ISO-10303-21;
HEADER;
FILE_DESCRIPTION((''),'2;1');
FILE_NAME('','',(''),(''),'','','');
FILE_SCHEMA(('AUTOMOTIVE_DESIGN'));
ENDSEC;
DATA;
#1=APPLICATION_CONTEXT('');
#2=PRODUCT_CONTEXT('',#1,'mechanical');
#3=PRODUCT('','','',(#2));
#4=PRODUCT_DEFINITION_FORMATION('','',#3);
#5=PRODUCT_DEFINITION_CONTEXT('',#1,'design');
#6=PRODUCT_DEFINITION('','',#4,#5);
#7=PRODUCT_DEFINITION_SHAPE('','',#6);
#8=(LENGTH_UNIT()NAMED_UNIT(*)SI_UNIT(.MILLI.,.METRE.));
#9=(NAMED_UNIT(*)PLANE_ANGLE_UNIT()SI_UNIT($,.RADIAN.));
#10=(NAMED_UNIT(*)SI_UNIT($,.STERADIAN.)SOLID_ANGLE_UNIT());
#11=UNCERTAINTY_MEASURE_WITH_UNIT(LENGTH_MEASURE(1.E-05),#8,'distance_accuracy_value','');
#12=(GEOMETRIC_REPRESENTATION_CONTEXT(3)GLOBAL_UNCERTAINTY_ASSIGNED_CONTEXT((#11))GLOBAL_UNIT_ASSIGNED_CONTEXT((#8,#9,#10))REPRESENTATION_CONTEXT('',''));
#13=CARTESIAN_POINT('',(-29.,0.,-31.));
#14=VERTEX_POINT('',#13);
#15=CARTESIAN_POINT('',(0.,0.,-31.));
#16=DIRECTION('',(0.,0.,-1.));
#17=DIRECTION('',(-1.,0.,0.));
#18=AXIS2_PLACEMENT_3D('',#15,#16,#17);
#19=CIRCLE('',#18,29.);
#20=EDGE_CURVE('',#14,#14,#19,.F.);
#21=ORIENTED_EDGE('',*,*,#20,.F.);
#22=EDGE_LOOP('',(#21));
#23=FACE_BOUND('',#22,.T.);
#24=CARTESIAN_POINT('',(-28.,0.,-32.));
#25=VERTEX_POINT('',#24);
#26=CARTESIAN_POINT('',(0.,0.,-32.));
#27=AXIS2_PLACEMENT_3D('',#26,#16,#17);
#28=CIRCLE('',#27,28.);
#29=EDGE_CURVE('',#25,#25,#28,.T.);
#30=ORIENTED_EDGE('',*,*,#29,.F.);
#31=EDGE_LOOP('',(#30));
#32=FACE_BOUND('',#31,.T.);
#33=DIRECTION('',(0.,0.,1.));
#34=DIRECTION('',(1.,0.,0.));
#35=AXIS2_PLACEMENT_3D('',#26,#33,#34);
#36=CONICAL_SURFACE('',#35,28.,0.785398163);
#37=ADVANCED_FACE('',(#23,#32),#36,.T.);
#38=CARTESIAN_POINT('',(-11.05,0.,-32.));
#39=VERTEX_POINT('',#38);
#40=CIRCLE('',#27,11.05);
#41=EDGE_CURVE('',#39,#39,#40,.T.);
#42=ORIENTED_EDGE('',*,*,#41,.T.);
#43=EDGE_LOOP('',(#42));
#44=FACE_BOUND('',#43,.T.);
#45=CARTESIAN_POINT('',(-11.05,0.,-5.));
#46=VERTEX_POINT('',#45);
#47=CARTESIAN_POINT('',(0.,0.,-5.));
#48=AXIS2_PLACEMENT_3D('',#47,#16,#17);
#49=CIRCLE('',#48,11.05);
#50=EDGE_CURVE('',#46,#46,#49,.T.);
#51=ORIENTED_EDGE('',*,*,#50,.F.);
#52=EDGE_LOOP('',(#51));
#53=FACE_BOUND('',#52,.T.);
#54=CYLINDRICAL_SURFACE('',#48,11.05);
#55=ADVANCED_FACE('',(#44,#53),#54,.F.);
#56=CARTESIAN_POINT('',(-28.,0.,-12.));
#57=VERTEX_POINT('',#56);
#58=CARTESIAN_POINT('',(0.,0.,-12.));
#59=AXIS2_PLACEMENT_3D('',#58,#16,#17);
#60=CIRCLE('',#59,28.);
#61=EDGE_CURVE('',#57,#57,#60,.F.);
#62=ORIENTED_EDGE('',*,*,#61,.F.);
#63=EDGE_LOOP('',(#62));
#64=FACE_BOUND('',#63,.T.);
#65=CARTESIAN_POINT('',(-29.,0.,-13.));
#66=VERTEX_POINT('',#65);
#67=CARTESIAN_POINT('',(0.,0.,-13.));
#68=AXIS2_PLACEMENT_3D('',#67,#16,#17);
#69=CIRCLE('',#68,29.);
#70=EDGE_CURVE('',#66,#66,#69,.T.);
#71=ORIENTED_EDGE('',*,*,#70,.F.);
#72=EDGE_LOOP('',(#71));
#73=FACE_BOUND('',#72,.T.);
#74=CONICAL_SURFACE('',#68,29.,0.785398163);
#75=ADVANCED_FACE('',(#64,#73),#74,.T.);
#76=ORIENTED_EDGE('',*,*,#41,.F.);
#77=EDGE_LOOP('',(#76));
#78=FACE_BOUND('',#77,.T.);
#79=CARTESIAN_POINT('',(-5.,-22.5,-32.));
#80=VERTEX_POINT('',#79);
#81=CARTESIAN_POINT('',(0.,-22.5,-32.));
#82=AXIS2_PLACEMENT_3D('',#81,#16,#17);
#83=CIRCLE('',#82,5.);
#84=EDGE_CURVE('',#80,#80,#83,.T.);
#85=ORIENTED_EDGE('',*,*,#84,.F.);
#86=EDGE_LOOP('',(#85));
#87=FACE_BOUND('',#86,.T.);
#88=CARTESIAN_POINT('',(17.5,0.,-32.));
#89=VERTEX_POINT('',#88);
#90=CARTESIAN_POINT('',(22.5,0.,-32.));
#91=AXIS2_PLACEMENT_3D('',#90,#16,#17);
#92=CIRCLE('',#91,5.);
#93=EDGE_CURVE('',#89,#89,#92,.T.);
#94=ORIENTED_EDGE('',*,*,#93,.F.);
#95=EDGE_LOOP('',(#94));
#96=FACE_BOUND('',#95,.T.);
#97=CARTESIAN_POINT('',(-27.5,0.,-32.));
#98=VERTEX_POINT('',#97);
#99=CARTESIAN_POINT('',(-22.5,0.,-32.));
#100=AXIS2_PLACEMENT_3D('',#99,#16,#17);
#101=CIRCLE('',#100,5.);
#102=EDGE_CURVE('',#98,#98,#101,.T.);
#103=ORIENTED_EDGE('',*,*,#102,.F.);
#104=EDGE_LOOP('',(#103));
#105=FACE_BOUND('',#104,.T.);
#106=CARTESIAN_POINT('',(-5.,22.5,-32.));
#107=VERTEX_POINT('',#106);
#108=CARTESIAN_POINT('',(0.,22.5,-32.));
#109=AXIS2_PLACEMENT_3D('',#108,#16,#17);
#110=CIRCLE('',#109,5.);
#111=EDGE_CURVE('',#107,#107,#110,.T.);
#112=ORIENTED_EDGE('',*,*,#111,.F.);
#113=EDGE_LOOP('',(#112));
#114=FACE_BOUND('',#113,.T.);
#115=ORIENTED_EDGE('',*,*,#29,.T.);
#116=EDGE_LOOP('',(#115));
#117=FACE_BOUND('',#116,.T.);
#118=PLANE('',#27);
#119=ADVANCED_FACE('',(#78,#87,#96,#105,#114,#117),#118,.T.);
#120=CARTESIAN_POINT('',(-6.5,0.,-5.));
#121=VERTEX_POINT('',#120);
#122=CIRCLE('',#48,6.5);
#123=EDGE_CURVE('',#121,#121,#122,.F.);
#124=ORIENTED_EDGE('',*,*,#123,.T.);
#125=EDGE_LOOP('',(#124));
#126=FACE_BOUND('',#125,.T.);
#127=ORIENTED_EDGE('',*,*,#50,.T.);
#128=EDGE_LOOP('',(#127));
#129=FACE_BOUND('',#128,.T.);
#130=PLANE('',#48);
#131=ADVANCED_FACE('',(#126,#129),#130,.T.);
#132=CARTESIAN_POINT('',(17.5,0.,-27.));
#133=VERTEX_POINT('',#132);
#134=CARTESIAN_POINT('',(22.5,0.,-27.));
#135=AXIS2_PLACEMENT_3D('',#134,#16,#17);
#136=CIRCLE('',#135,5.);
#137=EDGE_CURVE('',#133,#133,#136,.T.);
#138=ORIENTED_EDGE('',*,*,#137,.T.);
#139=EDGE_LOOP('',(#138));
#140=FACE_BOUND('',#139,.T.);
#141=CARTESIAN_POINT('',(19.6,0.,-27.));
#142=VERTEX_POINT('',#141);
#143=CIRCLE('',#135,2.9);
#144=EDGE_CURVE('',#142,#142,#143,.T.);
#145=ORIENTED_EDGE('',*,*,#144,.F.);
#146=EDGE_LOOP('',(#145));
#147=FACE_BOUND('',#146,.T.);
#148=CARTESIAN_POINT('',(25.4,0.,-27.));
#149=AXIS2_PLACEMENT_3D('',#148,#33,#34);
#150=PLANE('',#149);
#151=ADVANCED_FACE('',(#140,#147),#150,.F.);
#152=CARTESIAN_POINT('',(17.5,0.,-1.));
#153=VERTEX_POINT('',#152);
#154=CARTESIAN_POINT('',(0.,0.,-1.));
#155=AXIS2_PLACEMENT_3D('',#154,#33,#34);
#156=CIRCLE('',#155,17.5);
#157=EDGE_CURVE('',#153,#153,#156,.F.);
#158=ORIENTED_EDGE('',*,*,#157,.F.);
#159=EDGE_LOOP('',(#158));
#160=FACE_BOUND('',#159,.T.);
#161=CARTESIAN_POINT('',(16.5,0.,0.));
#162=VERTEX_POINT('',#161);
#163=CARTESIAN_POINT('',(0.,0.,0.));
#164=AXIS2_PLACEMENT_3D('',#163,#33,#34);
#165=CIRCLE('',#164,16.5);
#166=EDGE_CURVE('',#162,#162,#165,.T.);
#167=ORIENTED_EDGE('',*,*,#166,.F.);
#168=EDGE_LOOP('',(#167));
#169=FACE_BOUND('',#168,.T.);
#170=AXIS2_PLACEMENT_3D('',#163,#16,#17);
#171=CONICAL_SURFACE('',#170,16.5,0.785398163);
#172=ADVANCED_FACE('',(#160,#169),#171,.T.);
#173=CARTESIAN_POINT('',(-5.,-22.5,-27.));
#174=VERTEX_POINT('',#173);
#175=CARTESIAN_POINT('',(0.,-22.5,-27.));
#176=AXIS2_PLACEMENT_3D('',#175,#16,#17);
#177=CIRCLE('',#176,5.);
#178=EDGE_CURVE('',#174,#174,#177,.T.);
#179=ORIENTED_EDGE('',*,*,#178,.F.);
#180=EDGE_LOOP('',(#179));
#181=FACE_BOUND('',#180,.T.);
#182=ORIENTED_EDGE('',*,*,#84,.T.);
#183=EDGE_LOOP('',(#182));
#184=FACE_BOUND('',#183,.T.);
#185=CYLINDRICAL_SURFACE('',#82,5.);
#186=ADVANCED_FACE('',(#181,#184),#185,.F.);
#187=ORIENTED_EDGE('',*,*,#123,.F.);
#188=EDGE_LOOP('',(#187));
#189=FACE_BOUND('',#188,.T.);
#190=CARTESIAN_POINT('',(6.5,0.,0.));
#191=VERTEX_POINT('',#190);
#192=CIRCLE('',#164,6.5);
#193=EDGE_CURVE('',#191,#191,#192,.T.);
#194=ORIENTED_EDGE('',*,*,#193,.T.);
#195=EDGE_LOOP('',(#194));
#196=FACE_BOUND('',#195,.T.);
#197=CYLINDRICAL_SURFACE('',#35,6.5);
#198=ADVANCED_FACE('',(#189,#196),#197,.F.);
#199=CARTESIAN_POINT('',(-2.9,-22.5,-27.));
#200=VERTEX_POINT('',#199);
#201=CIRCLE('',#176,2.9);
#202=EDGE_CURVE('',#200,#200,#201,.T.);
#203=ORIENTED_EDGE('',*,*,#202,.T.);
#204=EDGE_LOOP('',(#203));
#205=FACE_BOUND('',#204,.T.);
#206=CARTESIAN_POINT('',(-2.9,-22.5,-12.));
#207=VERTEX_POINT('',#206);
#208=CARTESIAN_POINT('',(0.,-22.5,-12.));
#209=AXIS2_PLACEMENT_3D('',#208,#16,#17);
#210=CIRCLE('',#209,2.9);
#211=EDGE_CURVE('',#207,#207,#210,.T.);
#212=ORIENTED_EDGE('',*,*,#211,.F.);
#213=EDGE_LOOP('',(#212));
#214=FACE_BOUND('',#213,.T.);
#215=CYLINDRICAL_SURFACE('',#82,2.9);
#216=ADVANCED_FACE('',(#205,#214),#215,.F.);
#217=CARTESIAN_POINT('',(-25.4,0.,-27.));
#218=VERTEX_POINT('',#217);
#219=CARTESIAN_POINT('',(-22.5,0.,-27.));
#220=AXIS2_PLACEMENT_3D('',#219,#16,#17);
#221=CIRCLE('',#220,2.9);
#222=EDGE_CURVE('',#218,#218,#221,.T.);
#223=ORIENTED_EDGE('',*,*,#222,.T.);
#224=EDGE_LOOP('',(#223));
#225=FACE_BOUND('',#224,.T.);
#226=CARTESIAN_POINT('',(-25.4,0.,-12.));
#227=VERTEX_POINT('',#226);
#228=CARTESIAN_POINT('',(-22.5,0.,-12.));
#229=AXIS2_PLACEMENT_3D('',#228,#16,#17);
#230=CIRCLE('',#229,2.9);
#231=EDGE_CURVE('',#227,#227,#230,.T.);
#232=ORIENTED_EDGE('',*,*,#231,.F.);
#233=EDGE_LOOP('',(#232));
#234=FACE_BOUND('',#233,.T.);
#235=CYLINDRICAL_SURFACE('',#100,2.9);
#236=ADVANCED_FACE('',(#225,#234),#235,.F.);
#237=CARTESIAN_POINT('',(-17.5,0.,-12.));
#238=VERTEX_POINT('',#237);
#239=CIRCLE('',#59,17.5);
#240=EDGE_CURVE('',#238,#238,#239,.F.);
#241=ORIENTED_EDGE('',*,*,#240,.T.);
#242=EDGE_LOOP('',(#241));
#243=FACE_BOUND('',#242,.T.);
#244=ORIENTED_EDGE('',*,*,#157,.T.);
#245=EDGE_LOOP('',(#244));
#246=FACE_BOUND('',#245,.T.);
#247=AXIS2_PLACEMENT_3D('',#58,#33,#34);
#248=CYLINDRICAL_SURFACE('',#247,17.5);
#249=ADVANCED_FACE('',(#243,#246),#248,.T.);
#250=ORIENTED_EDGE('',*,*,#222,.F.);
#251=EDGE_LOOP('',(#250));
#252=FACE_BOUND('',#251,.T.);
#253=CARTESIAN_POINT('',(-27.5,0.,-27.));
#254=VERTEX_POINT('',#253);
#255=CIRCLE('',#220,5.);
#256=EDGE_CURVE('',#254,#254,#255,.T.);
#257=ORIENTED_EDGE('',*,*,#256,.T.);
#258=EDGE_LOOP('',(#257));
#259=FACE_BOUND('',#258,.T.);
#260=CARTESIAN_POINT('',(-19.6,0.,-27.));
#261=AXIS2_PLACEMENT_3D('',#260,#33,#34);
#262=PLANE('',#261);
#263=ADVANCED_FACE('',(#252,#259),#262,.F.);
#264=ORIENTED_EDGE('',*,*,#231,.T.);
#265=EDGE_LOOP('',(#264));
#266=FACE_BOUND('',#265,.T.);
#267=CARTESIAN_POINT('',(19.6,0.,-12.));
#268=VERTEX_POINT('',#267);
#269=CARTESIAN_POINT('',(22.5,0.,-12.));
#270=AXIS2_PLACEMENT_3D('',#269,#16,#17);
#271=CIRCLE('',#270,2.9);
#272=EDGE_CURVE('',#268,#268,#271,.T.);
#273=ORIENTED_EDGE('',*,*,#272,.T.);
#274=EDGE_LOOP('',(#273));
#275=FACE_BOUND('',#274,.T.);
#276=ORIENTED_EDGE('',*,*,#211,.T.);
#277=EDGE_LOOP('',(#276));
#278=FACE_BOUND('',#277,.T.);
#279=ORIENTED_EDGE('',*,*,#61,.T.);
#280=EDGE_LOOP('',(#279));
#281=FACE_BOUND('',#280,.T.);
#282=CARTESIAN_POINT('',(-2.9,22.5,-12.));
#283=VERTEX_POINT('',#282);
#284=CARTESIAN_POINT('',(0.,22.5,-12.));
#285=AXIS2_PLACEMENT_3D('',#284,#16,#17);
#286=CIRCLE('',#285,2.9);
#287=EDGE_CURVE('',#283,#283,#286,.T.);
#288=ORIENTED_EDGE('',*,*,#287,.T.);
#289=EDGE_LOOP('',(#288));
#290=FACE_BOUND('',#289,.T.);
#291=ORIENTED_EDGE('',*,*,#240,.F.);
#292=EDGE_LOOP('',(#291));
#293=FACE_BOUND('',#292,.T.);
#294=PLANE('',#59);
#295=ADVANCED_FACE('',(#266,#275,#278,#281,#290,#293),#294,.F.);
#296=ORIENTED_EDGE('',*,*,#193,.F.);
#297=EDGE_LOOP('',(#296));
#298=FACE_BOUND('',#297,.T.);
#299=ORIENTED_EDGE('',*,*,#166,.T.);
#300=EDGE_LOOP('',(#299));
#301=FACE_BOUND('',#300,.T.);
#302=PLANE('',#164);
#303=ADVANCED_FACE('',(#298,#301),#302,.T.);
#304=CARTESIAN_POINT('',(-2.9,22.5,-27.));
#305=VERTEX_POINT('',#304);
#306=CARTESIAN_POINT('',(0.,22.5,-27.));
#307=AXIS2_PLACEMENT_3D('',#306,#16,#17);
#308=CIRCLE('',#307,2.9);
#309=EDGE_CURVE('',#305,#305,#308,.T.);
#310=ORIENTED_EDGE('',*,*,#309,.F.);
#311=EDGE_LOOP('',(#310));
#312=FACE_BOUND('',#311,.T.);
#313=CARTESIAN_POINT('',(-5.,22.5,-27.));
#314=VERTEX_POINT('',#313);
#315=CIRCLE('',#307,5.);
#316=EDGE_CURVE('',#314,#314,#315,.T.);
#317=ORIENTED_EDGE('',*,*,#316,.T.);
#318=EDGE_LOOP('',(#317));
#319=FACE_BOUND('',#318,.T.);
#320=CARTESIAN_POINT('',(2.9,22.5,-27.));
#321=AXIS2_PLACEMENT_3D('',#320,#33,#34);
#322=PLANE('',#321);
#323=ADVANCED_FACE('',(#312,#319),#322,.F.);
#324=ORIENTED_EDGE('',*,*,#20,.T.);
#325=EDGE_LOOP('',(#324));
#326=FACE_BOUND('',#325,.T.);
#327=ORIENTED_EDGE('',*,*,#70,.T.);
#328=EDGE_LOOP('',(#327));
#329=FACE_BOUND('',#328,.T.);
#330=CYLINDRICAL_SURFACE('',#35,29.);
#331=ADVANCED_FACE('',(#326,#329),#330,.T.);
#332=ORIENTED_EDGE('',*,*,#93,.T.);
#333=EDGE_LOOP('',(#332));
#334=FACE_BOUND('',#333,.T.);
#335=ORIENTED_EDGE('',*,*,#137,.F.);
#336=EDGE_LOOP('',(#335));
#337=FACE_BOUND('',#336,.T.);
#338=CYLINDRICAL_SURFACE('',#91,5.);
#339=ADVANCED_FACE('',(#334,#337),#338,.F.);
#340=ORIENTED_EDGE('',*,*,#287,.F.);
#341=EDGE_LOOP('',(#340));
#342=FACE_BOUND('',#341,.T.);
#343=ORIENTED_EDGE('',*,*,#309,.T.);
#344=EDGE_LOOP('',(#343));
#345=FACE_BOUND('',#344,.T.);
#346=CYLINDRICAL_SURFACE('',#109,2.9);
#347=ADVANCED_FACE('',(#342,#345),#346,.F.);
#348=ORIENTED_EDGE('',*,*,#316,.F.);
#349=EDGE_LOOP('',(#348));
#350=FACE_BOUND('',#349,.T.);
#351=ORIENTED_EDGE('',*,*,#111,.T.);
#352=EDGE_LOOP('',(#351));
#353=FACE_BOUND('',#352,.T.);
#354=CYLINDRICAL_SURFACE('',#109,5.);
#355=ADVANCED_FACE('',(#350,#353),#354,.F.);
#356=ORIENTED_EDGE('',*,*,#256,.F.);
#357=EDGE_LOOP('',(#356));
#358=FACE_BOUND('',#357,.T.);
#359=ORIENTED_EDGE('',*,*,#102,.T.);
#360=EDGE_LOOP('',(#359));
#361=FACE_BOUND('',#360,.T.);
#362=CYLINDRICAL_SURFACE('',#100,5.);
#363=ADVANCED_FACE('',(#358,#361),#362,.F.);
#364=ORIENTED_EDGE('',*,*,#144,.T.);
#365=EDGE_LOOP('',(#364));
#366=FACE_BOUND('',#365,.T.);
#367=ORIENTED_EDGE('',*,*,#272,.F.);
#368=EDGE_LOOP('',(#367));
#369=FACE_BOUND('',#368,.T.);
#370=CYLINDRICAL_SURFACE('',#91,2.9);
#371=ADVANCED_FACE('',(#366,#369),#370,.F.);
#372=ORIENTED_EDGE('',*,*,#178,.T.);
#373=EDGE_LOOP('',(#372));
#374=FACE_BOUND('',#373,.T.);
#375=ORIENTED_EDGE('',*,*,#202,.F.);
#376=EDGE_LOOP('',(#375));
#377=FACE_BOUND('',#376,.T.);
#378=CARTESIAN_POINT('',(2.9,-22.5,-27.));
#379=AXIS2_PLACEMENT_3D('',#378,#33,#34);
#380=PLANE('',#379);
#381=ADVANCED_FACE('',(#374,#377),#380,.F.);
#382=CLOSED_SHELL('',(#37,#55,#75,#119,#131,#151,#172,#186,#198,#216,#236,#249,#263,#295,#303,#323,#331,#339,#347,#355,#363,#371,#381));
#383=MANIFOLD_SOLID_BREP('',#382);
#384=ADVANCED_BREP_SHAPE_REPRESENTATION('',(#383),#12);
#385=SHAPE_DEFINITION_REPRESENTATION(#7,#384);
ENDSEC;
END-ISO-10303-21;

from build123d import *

# Parameters (mm, degrees)
SKETCH_1_R                   = 17.5
EXTRUDE_1_DEPTH              = 12
SKETCH_2_R                   = 29
EXTRUDE_2_DEPTH              = 20
SKETCH_3_R                   = 6.5
CUT_EXTRUDE_1_DEPTH          = 53.019227215
SKETCH_4_R                   = 11.05
CUT_EXTRUDE_2_DEPTH          = 27
CHAMFER_1_SIZE               = 1
HOLE_WIZARD_M5_1_D           = 5.8
HOLE_WIZARD_M5_1_CBORE_D     = 10
HOLE_WIZARD_M5_1_CBORE_DEPTH = 5


with BuildPart() as part:
    # 草图1 → 凸台-拉伸1 (new body)
    with BuildSketch(Plane.XY):
        Circle(SKETCH_1_R)
    extrude(amount=-EXTRUDE_1_DEPTH)

    # 草图2 → 凸台-拉伸2 (add)
    with BuildSketch(Plane(origin=(0, 0, -12), x_dir=(-1, 0, 0), z_dir=(0, 0, -1))):
        Circle(SKETCH_2_R)
    extrude(amount=EXTRUDE_2_DEPTH)

    # 草图3 → 切除-拉伸1 (cut, through all)
    with BuildSketch(Plane.XY):
        Circle(SKETCH_3_R)
    extrude(amount=-CUT_EXTRUDE_1_DEPTH, mode=Mode.SUBTRACT)

    # 草图4 → 切除-拉伸2 (cut)
    with BuildSketch(Plane(origin=(0, 0, -32), x_dir=(-1, 0, 0), z_dir=(0, 0, -1))):
        Circle(SKETCH_4_R)
    extrude(amount=-CUT_EXTRUDE_2_DEPTH, mode=Mode.SUBTRACT)

    # 倒角1
    chamfer_1_edges = [part.edges().sort_by_distance(p)[0] for p in [
        (-17.5, 0, 0),
        (29, 0, -12),
        (29, 0, -32),
    ]]
    chamfer(chamfer_1_edges, length=CHAMFER_1_SIZE)

    # M5 六角凹头螺钉的柱形沉头孔1 (through all)
    with Locations(Plane(origin=(0, 0, -32), x_dir=(-1, 0, 0), z_dir=(0, 0, -1))):
        with Locations((0, 22.5), (-22.5, 0), (0, -22.5), (22.5, 0)):
            CounterBoreHole(HOLE_WIZARD_M5_1_D / 2, HOLE_WIZARD_M5_1_CBORE_D / 2, HOLE_WIZARD_M5_1_CBORE_DEPTH)


solid = part.part
